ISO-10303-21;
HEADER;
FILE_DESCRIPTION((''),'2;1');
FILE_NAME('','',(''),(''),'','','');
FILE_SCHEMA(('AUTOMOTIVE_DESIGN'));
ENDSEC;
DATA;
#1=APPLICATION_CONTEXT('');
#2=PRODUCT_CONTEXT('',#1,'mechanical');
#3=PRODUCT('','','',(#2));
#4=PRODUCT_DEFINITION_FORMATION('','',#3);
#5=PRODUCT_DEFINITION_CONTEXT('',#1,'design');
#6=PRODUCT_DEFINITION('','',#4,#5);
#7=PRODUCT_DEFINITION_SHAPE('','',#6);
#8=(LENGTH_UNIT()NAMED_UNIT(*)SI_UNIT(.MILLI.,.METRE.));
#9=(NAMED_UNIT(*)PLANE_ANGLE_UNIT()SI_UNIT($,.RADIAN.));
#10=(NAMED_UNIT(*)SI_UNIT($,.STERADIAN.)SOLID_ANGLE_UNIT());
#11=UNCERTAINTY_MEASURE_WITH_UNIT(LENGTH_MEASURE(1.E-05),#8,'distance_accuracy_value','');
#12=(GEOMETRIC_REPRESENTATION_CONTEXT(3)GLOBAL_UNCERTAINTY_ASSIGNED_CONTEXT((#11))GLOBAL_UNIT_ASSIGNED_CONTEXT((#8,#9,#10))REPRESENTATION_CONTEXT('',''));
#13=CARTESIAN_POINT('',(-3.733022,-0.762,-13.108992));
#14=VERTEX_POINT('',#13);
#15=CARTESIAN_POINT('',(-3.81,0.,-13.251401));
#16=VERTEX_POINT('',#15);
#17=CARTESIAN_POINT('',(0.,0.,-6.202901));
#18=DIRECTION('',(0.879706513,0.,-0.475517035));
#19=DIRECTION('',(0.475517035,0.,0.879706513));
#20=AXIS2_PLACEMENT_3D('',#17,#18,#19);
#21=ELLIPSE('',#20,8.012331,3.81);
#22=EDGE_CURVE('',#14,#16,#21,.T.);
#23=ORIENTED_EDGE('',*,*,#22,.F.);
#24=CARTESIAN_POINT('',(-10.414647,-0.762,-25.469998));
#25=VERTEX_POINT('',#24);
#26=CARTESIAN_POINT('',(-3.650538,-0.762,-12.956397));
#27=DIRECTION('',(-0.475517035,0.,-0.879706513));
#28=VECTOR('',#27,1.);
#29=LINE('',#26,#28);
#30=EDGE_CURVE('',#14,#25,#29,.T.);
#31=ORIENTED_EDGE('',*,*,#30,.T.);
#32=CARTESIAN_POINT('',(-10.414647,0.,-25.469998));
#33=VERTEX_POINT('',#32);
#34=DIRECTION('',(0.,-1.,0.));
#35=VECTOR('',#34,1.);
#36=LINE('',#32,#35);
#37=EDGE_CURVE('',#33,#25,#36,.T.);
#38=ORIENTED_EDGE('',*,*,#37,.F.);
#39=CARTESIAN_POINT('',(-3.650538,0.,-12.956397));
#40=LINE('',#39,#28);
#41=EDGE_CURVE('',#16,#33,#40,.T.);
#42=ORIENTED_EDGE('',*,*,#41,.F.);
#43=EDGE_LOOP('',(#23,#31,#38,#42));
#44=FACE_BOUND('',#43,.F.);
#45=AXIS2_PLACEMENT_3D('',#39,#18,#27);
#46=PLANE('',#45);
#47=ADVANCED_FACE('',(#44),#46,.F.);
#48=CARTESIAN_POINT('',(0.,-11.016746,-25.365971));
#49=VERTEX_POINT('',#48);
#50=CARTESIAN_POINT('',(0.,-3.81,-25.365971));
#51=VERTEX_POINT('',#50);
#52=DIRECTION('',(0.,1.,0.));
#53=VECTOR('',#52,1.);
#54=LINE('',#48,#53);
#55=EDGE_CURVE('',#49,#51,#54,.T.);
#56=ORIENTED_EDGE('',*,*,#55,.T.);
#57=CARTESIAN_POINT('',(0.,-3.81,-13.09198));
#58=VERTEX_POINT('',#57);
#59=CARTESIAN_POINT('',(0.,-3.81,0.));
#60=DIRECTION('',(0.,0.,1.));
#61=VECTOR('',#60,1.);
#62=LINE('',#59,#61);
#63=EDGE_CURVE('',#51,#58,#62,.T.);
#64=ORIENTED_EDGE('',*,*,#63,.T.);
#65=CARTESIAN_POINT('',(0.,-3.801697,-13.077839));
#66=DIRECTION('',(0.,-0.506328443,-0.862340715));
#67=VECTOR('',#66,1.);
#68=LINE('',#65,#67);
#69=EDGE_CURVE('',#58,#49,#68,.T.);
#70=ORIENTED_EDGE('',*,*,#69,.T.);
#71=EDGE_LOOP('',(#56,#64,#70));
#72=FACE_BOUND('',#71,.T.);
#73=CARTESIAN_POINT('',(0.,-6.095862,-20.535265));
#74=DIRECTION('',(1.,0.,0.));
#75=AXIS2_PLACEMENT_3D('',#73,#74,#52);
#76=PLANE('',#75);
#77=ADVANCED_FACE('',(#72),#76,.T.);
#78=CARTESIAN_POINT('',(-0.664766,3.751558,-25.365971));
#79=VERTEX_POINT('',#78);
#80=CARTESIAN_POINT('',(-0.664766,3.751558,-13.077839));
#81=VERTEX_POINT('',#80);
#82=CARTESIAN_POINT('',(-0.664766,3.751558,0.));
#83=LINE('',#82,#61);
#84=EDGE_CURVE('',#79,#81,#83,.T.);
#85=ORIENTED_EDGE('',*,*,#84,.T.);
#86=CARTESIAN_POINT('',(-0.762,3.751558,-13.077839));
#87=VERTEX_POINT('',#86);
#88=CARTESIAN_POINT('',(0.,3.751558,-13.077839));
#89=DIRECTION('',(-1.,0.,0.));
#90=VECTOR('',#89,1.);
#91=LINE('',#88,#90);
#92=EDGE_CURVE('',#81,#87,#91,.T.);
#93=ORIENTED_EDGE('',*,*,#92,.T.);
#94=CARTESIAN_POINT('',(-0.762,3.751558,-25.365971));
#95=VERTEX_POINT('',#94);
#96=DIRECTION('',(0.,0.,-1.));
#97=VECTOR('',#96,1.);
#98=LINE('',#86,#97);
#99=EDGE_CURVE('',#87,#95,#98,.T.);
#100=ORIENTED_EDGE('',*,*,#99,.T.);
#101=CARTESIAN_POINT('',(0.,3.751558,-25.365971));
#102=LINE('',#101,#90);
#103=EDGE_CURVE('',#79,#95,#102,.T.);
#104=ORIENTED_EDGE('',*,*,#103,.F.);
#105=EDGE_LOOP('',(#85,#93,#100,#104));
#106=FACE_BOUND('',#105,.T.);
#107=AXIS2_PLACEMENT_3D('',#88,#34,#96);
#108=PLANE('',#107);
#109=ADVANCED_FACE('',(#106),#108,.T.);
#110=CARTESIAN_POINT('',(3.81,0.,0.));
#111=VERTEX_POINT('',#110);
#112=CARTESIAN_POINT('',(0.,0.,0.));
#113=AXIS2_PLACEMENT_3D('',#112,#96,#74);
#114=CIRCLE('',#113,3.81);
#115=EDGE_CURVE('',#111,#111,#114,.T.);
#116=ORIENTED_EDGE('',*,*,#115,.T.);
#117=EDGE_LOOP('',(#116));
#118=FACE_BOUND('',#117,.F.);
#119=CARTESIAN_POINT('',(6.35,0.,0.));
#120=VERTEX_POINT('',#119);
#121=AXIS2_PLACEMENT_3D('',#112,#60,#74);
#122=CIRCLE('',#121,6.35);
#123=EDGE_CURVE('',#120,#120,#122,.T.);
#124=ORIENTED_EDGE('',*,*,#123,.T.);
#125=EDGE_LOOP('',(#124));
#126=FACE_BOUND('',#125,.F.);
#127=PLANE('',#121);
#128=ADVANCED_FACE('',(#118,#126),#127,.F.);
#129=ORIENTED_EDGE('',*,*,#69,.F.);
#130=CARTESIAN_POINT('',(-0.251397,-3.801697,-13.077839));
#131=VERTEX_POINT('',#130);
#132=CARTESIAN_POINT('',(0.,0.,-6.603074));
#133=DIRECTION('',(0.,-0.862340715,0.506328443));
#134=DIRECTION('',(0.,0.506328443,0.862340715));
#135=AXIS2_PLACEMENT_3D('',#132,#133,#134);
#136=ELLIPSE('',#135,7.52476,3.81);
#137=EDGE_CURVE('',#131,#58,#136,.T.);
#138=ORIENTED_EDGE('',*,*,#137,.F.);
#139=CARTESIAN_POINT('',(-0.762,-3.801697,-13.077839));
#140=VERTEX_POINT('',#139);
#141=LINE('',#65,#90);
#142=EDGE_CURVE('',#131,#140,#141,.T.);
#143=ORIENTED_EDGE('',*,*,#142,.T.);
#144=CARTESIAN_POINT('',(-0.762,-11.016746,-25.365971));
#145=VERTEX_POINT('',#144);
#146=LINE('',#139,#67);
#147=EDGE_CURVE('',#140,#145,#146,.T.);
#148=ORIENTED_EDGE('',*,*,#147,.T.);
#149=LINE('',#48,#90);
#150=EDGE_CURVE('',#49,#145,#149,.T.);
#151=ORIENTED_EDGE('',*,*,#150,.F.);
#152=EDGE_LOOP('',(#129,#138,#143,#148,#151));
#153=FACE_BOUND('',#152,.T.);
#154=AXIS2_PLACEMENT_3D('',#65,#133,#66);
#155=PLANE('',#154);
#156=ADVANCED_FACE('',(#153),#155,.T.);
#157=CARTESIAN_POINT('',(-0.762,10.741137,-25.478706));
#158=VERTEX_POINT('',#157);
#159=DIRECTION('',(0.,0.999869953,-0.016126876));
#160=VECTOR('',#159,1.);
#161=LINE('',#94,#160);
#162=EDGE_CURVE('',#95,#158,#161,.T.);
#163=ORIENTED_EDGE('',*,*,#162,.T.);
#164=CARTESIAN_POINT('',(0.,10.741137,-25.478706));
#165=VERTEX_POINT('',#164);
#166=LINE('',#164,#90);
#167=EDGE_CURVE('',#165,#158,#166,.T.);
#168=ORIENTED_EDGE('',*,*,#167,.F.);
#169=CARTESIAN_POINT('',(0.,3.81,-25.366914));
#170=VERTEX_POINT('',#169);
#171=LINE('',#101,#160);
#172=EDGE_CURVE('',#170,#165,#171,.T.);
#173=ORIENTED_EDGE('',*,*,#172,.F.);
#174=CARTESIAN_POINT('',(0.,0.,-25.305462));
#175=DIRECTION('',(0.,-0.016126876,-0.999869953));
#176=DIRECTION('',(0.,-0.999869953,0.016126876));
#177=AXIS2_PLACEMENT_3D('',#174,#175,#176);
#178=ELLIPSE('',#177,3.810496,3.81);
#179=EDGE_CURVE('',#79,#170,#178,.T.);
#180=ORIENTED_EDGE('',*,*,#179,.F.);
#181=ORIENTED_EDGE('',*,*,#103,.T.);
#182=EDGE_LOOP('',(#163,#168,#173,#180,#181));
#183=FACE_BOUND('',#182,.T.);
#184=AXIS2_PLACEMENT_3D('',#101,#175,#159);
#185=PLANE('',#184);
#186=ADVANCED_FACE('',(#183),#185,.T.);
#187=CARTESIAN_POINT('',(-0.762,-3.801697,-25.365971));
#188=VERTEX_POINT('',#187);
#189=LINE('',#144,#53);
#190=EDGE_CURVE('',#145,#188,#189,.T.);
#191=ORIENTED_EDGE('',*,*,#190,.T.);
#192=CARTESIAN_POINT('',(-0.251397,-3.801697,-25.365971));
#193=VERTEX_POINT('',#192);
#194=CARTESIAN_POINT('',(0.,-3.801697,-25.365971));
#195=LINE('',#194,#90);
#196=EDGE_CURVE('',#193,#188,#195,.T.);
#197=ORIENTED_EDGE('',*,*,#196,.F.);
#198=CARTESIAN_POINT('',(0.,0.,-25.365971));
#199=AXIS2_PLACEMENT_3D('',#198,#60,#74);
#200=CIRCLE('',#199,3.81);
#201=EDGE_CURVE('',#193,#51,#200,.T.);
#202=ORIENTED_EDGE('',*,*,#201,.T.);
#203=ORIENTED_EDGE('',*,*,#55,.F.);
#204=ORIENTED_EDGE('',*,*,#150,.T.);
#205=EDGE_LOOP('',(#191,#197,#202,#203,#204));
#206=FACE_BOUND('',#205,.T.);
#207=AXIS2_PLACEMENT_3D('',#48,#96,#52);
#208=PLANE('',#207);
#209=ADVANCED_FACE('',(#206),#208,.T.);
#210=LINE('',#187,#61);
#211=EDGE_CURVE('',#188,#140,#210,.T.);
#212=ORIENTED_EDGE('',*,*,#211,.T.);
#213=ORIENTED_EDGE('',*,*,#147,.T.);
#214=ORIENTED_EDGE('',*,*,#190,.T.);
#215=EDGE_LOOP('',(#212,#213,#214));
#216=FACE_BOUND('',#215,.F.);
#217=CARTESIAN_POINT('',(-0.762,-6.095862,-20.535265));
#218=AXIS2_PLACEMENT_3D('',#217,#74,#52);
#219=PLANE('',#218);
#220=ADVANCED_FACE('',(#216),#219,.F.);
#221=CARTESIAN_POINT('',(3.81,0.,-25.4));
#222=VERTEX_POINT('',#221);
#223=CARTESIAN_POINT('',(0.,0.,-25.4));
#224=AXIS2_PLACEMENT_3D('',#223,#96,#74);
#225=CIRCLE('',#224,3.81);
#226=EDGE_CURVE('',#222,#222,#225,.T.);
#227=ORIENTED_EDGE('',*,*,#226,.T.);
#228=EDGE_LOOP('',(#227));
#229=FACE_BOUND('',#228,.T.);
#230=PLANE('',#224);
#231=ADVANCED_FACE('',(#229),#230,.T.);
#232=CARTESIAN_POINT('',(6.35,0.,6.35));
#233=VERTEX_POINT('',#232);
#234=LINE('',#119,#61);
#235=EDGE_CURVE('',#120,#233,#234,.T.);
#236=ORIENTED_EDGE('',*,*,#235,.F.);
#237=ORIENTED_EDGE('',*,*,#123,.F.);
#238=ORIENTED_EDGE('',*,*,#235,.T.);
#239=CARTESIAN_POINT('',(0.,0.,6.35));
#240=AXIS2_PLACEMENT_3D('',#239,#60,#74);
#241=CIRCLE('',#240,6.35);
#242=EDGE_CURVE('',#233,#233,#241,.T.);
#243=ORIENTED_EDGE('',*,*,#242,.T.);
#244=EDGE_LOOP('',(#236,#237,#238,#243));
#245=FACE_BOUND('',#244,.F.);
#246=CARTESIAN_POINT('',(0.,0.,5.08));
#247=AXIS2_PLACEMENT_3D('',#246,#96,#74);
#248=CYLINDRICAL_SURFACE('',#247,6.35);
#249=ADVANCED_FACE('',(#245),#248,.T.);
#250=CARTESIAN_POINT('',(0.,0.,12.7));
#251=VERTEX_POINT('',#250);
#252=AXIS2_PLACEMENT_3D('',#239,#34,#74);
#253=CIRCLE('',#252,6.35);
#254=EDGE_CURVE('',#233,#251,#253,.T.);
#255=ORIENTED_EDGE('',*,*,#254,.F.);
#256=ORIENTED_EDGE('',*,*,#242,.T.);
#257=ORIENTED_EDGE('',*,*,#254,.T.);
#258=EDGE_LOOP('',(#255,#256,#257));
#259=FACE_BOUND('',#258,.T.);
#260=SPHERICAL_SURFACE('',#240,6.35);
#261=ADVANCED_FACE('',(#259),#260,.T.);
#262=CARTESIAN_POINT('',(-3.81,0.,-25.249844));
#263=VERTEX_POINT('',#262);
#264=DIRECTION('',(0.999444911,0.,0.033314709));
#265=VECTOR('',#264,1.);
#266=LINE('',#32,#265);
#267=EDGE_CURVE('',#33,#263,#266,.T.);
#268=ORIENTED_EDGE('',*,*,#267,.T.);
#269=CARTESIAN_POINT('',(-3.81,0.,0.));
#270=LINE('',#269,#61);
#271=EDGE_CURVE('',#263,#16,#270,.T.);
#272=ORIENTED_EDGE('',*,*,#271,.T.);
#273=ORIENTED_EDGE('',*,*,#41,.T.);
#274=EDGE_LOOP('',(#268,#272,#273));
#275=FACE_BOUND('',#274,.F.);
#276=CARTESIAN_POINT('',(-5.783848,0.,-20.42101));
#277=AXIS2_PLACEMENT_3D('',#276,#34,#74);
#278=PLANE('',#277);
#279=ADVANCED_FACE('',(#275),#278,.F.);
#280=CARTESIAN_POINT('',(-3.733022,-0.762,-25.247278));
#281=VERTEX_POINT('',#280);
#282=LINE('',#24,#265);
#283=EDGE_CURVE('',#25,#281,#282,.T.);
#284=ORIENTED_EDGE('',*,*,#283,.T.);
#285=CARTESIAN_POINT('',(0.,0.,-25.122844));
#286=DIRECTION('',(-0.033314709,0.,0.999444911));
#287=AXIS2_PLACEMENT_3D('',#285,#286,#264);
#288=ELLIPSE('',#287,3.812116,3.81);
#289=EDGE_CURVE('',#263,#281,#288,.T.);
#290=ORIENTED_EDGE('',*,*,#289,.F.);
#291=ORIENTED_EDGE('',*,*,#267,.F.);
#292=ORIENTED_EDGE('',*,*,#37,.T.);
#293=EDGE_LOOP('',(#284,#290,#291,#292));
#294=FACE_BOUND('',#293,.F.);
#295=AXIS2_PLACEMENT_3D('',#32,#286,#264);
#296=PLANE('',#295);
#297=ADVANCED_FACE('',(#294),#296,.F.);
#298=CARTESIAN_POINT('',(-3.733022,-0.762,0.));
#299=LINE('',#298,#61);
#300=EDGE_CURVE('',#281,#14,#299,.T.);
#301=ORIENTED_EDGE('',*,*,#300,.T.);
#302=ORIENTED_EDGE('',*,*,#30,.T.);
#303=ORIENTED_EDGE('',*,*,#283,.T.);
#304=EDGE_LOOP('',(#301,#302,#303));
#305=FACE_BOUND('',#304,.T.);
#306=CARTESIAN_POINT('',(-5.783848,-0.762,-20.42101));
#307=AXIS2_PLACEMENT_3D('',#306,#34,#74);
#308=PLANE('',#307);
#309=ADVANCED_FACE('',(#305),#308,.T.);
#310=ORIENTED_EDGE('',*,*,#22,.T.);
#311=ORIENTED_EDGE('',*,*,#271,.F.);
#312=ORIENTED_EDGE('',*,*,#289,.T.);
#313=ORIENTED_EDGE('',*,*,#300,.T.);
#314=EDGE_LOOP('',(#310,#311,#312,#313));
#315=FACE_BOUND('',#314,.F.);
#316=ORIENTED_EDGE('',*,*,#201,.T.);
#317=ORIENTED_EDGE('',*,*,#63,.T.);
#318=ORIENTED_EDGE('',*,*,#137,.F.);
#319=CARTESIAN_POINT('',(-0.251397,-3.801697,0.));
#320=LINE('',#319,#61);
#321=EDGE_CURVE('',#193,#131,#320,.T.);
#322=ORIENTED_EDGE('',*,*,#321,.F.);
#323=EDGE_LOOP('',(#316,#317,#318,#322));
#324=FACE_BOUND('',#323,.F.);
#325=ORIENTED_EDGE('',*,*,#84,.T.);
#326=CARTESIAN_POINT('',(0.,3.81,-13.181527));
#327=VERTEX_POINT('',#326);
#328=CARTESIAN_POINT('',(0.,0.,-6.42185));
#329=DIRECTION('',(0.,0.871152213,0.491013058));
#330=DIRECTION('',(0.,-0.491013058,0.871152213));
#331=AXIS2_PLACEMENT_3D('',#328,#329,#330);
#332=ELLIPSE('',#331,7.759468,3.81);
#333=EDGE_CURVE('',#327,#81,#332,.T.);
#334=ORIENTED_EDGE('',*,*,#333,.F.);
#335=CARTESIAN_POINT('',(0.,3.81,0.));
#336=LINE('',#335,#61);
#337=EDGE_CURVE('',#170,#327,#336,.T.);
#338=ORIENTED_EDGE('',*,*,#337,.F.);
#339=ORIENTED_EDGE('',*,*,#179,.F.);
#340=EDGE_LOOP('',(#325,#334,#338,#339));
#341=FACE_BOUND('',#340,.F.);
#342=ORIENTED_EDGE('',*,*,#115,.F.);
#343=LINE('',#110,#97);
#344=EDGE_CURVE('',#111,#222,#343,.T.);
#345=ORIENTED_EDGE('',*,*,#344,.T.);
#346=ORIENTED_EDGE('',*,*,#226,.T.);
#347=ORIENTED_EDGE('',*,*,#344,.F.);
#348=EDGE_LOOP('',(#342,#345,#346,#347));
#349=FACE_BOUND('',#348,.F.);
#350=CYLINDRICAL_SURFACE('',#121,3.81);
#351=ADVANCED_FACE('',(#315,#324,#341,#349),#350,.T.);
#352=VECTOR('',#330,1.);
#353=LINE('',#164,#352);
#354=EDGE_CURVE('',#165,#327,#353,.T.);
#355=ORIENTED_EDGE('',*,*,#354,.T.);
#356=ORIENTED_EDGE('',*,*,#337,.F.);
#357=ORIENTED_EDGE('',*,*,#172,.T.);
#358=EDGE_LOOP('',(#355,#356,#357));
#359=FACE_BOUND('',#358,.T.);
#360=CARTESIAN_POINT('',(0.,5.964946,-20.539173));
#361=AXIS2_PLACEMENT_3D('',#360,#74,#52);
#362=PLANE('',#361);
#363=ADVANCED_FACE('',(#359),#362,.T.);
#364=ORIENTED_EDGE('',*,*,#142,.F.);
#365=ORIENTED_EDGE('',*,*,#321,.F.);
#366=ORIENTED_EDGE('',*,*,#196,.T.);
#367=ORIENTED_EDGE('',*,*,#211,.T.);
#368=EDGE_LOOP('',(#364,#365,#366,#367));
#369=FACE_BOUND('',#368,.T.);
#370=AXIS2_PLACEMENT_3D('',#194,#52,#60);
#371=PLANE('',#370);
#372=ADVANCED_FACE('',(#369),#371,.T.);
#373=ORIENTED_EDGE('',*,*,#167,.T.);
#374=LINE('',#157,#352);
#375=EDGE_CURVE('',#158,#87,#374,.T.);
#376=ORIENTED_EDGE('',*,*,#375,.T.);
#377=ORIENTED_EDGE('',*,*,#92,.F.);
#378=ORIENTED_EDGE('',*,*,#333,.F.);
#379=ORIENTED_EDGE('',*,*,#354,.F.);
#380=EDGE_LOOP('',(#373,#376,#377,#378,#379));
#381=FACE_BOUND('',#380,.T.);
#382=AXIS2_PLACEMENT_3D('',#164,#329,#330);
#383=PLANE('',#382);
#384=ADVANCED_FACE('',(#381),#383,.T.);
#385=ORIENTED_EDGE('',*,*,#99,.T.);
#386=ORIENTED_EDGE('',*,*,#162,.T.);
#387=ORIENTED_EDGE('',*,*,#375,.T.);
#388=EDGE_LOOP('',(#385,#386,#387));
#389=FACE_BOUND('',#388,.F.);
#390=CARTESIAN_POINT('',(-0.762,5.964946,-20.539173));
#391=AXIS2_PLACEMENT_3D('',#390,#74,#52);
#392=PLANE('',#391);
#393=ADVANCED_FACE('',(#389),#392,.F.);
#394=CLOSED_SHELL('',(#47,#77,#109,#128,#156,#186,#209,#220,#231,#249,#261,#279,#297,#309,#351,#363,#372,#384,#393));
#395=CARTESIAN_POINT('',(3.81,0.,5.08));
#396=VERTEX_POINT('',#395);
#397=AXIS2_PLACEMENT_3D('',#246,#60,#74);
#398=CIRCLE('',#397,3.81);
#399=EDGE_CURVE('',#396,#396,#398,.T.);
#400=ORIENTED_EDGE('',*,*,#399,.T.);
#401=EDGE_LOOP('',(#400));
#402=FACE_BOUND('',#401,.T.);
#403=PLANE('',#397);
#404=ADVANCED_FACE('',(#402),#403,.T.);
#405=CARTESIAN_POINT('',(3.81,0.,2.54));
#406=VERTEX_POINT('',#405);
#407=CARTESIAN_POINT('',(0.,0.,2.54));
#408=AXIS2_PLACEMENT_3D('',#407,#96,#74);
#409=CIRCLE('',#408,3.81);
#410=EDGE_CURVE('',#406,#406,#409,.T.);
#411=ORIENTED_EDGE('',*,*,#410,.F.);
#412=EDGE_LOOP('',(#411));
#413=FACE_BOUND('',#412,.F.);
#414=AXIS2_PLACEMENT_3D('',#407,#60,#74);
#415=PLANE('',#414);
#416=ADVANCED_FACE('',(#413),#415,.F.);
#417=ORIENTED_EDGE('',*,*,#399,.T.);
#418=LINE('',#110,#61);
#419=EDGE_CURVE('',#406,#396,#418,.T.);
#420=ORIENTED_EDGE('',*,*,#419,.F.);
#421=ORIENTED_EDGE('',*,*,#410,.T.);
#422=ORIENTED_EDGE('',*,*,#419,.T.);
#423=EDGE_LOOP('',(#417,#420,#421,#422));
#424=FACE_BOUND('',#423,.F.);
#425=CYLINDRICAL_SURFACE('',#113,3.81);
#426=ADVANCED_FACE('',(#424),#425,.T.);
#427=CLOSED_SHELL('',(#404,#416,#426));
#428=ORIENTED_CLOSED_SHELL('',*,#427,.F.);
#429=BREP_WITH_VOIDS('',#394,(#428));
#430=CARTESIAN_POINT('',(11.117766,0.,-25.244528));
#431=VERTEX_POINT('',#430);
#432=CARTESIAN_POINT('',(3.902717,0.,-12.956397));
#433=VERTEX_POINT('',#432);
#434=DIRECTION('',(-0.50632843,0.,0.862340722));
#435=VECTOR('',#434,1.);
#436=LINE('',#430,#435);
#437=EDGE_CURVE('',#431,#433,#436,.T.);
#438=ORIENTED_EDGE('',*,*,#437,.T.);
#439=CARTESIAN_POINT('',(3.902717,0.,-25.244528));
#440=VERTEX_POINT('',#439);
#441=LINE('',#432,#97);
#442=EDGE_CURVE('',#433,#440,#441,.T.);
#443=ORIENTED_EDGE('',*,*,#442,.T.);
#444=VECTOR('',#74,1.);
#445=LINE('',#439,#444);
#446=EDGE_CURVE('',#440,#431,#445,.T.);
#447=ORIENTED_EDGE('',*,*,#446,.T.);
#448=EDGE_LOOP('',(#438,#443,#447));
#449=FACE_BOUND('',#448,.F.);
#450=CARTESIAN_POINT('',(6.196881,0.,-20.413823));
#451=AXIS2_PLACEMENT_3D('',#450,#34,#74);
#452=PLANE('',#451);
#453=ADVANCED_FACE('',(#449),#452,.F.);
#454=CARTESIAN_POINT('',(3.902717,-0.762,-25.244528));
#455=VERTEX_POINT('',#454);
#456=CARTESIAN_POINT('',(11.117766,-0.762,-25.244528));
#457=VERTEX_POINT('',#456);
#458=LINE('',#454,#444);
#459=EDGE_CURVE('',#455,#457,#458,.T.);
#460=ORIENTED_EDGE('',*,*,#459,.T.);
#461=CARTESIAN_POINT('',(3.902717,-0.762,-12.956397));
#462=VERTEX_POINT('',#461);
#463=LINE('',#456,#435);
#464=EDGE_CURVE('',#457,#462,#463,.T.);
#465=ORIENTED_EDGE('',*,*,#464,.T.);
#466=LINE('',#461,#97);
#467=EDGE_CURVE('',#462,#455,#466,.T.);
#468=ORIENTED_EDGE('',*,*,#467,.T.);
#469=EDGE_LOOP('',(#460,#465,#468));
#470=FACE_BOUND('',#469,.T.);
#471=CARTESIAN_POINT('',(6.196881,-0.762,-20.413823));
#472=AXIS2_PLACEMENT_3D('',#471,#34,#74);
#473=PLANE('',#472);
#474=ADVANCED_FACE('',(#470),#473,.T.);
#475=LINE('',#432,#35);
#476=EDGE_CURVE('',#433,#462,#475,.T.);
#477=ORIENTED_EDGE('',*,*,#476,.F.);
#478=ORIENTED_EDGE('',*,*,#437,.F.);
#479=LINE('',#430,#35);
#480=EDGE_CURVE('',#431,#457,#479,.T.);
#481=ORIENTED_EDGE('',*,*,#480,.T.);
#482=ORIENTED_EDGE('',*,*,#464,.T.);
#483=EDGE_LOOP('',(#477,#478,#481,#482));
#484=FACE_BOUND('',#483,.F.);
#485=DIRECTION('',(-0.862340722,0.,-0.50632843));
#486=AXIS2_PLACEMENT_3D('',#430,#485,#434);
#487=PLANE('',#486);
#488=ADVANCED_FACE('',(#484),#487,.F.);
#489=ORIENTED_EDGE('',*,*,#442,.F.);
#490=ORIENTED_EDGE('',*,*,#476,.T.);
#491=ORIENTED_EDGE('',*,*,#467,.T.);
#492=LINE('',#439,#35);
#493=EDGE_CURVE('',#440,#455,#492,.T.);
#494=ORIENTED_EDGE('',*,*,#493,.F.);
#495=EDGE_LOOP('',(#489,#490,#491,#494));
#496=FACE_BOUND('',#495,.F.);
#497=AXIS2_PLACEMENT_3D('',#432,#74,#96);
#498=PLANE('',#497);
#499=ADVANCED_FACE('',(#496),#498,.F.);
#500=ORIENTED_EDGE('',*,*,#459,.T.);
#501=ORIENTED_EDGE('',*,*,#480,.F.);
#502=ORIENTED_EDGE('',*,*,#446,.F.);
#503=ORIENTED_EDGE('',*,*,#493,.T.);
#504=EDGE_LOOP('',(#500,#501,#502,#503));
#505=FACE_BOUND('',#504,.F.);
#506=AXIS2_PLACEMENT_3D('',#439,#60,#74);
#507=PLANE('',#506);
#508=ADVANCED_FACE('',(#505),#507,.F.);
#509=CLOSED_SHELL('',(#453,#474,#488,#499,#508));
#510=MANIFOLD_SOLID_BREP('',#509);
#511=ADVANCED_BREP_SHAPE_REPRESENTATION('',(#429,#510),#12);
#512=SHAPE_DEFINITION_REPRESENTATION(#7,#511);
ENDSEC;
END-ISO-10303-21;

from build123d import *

# Parameters (mm, degrees)
F0_R      = 6.35
F1_DEPTH  = 5.08
F2_T      = -2.54
F3_R      = 6.35
F4_DEPTH  = 7.62
F5_R      = 6.35
F6_R      = 3.81
F7_DEPTH  = 25.4
F9_DEPTH  = 0.762
F11_DEPTH = 0.762


with BuildPart() as f1:
    # F0 (on Top) → F1 (new body)
    with BuildSketch(Plane.XY):
        Circle(F0_R)
    extrude(amount=F1_DEPTH)

    # F2
    f2_openings = [f1.faces().sort_by_distance(p)[0] for p in [
        (0, 0, 5.08),
    ]]
    offset(amount=F2_T, openings=f2_openings)

    # F3 (on face) → F4 (join)
    with BuildSketch(Plane.XY.offset(5.08)):
        Circle(F3_R)
    extrude(amount=F4_DEPTH)

    # F5
    f5_edges = [f1.edges().sort_by_distance(p)[0] for p in [
        (-6.35, 0, 12.7),
    ]]
    fillet(f5_edges, radius=F5_R)

    # F6 (on face) → F7 (join)
    with BuildSketch(Plane(origin=(0, 0, 0), x_dir=(1, 0, 0), z_dir=(0, 0, -1))):
        Circle(F6_R)
    extrude(amount=F7_DEPTH)

    # F8 (on Right) → F9 (join)
    with BuildSketch(Plane.YZ):
        Polygon((3.751557786, -13.0778392777), (3.751557786, -25.3659710288), (10.7411369681, -25.4787057638), align=None)
        Polygon((-11.0167460516, -25.3659710288), (-3.8016969338, -25.3659710288), (-3.8016969338, -13.0778392777), align=None)
    extrude(amount=-F9_DEPTH)

    # F10 (on Front) → F11 (join)
    with BuildSketch(Plane.XZ):
        Polygon((-10.4146469384, -25.4699978977), (-3.6505381577, -25.2445284277), (-3.6505381577, -12.9563966766), align=None)
    extrude(amount=F11_DEPTH)


with BuildPart() as f11:
    # F10 (on Front) → F11, piece 2 (new body)
    with BuildSketch(Plane.XZ):
        Polygon((3.902716795, -12.9563966766), (3.902716795, -25.2445284277), (11.11776568, -25.2445284277), align=None)
    extrude(amount=F11_DEPTH)


solid = Compound([f1.part, f11.part])
